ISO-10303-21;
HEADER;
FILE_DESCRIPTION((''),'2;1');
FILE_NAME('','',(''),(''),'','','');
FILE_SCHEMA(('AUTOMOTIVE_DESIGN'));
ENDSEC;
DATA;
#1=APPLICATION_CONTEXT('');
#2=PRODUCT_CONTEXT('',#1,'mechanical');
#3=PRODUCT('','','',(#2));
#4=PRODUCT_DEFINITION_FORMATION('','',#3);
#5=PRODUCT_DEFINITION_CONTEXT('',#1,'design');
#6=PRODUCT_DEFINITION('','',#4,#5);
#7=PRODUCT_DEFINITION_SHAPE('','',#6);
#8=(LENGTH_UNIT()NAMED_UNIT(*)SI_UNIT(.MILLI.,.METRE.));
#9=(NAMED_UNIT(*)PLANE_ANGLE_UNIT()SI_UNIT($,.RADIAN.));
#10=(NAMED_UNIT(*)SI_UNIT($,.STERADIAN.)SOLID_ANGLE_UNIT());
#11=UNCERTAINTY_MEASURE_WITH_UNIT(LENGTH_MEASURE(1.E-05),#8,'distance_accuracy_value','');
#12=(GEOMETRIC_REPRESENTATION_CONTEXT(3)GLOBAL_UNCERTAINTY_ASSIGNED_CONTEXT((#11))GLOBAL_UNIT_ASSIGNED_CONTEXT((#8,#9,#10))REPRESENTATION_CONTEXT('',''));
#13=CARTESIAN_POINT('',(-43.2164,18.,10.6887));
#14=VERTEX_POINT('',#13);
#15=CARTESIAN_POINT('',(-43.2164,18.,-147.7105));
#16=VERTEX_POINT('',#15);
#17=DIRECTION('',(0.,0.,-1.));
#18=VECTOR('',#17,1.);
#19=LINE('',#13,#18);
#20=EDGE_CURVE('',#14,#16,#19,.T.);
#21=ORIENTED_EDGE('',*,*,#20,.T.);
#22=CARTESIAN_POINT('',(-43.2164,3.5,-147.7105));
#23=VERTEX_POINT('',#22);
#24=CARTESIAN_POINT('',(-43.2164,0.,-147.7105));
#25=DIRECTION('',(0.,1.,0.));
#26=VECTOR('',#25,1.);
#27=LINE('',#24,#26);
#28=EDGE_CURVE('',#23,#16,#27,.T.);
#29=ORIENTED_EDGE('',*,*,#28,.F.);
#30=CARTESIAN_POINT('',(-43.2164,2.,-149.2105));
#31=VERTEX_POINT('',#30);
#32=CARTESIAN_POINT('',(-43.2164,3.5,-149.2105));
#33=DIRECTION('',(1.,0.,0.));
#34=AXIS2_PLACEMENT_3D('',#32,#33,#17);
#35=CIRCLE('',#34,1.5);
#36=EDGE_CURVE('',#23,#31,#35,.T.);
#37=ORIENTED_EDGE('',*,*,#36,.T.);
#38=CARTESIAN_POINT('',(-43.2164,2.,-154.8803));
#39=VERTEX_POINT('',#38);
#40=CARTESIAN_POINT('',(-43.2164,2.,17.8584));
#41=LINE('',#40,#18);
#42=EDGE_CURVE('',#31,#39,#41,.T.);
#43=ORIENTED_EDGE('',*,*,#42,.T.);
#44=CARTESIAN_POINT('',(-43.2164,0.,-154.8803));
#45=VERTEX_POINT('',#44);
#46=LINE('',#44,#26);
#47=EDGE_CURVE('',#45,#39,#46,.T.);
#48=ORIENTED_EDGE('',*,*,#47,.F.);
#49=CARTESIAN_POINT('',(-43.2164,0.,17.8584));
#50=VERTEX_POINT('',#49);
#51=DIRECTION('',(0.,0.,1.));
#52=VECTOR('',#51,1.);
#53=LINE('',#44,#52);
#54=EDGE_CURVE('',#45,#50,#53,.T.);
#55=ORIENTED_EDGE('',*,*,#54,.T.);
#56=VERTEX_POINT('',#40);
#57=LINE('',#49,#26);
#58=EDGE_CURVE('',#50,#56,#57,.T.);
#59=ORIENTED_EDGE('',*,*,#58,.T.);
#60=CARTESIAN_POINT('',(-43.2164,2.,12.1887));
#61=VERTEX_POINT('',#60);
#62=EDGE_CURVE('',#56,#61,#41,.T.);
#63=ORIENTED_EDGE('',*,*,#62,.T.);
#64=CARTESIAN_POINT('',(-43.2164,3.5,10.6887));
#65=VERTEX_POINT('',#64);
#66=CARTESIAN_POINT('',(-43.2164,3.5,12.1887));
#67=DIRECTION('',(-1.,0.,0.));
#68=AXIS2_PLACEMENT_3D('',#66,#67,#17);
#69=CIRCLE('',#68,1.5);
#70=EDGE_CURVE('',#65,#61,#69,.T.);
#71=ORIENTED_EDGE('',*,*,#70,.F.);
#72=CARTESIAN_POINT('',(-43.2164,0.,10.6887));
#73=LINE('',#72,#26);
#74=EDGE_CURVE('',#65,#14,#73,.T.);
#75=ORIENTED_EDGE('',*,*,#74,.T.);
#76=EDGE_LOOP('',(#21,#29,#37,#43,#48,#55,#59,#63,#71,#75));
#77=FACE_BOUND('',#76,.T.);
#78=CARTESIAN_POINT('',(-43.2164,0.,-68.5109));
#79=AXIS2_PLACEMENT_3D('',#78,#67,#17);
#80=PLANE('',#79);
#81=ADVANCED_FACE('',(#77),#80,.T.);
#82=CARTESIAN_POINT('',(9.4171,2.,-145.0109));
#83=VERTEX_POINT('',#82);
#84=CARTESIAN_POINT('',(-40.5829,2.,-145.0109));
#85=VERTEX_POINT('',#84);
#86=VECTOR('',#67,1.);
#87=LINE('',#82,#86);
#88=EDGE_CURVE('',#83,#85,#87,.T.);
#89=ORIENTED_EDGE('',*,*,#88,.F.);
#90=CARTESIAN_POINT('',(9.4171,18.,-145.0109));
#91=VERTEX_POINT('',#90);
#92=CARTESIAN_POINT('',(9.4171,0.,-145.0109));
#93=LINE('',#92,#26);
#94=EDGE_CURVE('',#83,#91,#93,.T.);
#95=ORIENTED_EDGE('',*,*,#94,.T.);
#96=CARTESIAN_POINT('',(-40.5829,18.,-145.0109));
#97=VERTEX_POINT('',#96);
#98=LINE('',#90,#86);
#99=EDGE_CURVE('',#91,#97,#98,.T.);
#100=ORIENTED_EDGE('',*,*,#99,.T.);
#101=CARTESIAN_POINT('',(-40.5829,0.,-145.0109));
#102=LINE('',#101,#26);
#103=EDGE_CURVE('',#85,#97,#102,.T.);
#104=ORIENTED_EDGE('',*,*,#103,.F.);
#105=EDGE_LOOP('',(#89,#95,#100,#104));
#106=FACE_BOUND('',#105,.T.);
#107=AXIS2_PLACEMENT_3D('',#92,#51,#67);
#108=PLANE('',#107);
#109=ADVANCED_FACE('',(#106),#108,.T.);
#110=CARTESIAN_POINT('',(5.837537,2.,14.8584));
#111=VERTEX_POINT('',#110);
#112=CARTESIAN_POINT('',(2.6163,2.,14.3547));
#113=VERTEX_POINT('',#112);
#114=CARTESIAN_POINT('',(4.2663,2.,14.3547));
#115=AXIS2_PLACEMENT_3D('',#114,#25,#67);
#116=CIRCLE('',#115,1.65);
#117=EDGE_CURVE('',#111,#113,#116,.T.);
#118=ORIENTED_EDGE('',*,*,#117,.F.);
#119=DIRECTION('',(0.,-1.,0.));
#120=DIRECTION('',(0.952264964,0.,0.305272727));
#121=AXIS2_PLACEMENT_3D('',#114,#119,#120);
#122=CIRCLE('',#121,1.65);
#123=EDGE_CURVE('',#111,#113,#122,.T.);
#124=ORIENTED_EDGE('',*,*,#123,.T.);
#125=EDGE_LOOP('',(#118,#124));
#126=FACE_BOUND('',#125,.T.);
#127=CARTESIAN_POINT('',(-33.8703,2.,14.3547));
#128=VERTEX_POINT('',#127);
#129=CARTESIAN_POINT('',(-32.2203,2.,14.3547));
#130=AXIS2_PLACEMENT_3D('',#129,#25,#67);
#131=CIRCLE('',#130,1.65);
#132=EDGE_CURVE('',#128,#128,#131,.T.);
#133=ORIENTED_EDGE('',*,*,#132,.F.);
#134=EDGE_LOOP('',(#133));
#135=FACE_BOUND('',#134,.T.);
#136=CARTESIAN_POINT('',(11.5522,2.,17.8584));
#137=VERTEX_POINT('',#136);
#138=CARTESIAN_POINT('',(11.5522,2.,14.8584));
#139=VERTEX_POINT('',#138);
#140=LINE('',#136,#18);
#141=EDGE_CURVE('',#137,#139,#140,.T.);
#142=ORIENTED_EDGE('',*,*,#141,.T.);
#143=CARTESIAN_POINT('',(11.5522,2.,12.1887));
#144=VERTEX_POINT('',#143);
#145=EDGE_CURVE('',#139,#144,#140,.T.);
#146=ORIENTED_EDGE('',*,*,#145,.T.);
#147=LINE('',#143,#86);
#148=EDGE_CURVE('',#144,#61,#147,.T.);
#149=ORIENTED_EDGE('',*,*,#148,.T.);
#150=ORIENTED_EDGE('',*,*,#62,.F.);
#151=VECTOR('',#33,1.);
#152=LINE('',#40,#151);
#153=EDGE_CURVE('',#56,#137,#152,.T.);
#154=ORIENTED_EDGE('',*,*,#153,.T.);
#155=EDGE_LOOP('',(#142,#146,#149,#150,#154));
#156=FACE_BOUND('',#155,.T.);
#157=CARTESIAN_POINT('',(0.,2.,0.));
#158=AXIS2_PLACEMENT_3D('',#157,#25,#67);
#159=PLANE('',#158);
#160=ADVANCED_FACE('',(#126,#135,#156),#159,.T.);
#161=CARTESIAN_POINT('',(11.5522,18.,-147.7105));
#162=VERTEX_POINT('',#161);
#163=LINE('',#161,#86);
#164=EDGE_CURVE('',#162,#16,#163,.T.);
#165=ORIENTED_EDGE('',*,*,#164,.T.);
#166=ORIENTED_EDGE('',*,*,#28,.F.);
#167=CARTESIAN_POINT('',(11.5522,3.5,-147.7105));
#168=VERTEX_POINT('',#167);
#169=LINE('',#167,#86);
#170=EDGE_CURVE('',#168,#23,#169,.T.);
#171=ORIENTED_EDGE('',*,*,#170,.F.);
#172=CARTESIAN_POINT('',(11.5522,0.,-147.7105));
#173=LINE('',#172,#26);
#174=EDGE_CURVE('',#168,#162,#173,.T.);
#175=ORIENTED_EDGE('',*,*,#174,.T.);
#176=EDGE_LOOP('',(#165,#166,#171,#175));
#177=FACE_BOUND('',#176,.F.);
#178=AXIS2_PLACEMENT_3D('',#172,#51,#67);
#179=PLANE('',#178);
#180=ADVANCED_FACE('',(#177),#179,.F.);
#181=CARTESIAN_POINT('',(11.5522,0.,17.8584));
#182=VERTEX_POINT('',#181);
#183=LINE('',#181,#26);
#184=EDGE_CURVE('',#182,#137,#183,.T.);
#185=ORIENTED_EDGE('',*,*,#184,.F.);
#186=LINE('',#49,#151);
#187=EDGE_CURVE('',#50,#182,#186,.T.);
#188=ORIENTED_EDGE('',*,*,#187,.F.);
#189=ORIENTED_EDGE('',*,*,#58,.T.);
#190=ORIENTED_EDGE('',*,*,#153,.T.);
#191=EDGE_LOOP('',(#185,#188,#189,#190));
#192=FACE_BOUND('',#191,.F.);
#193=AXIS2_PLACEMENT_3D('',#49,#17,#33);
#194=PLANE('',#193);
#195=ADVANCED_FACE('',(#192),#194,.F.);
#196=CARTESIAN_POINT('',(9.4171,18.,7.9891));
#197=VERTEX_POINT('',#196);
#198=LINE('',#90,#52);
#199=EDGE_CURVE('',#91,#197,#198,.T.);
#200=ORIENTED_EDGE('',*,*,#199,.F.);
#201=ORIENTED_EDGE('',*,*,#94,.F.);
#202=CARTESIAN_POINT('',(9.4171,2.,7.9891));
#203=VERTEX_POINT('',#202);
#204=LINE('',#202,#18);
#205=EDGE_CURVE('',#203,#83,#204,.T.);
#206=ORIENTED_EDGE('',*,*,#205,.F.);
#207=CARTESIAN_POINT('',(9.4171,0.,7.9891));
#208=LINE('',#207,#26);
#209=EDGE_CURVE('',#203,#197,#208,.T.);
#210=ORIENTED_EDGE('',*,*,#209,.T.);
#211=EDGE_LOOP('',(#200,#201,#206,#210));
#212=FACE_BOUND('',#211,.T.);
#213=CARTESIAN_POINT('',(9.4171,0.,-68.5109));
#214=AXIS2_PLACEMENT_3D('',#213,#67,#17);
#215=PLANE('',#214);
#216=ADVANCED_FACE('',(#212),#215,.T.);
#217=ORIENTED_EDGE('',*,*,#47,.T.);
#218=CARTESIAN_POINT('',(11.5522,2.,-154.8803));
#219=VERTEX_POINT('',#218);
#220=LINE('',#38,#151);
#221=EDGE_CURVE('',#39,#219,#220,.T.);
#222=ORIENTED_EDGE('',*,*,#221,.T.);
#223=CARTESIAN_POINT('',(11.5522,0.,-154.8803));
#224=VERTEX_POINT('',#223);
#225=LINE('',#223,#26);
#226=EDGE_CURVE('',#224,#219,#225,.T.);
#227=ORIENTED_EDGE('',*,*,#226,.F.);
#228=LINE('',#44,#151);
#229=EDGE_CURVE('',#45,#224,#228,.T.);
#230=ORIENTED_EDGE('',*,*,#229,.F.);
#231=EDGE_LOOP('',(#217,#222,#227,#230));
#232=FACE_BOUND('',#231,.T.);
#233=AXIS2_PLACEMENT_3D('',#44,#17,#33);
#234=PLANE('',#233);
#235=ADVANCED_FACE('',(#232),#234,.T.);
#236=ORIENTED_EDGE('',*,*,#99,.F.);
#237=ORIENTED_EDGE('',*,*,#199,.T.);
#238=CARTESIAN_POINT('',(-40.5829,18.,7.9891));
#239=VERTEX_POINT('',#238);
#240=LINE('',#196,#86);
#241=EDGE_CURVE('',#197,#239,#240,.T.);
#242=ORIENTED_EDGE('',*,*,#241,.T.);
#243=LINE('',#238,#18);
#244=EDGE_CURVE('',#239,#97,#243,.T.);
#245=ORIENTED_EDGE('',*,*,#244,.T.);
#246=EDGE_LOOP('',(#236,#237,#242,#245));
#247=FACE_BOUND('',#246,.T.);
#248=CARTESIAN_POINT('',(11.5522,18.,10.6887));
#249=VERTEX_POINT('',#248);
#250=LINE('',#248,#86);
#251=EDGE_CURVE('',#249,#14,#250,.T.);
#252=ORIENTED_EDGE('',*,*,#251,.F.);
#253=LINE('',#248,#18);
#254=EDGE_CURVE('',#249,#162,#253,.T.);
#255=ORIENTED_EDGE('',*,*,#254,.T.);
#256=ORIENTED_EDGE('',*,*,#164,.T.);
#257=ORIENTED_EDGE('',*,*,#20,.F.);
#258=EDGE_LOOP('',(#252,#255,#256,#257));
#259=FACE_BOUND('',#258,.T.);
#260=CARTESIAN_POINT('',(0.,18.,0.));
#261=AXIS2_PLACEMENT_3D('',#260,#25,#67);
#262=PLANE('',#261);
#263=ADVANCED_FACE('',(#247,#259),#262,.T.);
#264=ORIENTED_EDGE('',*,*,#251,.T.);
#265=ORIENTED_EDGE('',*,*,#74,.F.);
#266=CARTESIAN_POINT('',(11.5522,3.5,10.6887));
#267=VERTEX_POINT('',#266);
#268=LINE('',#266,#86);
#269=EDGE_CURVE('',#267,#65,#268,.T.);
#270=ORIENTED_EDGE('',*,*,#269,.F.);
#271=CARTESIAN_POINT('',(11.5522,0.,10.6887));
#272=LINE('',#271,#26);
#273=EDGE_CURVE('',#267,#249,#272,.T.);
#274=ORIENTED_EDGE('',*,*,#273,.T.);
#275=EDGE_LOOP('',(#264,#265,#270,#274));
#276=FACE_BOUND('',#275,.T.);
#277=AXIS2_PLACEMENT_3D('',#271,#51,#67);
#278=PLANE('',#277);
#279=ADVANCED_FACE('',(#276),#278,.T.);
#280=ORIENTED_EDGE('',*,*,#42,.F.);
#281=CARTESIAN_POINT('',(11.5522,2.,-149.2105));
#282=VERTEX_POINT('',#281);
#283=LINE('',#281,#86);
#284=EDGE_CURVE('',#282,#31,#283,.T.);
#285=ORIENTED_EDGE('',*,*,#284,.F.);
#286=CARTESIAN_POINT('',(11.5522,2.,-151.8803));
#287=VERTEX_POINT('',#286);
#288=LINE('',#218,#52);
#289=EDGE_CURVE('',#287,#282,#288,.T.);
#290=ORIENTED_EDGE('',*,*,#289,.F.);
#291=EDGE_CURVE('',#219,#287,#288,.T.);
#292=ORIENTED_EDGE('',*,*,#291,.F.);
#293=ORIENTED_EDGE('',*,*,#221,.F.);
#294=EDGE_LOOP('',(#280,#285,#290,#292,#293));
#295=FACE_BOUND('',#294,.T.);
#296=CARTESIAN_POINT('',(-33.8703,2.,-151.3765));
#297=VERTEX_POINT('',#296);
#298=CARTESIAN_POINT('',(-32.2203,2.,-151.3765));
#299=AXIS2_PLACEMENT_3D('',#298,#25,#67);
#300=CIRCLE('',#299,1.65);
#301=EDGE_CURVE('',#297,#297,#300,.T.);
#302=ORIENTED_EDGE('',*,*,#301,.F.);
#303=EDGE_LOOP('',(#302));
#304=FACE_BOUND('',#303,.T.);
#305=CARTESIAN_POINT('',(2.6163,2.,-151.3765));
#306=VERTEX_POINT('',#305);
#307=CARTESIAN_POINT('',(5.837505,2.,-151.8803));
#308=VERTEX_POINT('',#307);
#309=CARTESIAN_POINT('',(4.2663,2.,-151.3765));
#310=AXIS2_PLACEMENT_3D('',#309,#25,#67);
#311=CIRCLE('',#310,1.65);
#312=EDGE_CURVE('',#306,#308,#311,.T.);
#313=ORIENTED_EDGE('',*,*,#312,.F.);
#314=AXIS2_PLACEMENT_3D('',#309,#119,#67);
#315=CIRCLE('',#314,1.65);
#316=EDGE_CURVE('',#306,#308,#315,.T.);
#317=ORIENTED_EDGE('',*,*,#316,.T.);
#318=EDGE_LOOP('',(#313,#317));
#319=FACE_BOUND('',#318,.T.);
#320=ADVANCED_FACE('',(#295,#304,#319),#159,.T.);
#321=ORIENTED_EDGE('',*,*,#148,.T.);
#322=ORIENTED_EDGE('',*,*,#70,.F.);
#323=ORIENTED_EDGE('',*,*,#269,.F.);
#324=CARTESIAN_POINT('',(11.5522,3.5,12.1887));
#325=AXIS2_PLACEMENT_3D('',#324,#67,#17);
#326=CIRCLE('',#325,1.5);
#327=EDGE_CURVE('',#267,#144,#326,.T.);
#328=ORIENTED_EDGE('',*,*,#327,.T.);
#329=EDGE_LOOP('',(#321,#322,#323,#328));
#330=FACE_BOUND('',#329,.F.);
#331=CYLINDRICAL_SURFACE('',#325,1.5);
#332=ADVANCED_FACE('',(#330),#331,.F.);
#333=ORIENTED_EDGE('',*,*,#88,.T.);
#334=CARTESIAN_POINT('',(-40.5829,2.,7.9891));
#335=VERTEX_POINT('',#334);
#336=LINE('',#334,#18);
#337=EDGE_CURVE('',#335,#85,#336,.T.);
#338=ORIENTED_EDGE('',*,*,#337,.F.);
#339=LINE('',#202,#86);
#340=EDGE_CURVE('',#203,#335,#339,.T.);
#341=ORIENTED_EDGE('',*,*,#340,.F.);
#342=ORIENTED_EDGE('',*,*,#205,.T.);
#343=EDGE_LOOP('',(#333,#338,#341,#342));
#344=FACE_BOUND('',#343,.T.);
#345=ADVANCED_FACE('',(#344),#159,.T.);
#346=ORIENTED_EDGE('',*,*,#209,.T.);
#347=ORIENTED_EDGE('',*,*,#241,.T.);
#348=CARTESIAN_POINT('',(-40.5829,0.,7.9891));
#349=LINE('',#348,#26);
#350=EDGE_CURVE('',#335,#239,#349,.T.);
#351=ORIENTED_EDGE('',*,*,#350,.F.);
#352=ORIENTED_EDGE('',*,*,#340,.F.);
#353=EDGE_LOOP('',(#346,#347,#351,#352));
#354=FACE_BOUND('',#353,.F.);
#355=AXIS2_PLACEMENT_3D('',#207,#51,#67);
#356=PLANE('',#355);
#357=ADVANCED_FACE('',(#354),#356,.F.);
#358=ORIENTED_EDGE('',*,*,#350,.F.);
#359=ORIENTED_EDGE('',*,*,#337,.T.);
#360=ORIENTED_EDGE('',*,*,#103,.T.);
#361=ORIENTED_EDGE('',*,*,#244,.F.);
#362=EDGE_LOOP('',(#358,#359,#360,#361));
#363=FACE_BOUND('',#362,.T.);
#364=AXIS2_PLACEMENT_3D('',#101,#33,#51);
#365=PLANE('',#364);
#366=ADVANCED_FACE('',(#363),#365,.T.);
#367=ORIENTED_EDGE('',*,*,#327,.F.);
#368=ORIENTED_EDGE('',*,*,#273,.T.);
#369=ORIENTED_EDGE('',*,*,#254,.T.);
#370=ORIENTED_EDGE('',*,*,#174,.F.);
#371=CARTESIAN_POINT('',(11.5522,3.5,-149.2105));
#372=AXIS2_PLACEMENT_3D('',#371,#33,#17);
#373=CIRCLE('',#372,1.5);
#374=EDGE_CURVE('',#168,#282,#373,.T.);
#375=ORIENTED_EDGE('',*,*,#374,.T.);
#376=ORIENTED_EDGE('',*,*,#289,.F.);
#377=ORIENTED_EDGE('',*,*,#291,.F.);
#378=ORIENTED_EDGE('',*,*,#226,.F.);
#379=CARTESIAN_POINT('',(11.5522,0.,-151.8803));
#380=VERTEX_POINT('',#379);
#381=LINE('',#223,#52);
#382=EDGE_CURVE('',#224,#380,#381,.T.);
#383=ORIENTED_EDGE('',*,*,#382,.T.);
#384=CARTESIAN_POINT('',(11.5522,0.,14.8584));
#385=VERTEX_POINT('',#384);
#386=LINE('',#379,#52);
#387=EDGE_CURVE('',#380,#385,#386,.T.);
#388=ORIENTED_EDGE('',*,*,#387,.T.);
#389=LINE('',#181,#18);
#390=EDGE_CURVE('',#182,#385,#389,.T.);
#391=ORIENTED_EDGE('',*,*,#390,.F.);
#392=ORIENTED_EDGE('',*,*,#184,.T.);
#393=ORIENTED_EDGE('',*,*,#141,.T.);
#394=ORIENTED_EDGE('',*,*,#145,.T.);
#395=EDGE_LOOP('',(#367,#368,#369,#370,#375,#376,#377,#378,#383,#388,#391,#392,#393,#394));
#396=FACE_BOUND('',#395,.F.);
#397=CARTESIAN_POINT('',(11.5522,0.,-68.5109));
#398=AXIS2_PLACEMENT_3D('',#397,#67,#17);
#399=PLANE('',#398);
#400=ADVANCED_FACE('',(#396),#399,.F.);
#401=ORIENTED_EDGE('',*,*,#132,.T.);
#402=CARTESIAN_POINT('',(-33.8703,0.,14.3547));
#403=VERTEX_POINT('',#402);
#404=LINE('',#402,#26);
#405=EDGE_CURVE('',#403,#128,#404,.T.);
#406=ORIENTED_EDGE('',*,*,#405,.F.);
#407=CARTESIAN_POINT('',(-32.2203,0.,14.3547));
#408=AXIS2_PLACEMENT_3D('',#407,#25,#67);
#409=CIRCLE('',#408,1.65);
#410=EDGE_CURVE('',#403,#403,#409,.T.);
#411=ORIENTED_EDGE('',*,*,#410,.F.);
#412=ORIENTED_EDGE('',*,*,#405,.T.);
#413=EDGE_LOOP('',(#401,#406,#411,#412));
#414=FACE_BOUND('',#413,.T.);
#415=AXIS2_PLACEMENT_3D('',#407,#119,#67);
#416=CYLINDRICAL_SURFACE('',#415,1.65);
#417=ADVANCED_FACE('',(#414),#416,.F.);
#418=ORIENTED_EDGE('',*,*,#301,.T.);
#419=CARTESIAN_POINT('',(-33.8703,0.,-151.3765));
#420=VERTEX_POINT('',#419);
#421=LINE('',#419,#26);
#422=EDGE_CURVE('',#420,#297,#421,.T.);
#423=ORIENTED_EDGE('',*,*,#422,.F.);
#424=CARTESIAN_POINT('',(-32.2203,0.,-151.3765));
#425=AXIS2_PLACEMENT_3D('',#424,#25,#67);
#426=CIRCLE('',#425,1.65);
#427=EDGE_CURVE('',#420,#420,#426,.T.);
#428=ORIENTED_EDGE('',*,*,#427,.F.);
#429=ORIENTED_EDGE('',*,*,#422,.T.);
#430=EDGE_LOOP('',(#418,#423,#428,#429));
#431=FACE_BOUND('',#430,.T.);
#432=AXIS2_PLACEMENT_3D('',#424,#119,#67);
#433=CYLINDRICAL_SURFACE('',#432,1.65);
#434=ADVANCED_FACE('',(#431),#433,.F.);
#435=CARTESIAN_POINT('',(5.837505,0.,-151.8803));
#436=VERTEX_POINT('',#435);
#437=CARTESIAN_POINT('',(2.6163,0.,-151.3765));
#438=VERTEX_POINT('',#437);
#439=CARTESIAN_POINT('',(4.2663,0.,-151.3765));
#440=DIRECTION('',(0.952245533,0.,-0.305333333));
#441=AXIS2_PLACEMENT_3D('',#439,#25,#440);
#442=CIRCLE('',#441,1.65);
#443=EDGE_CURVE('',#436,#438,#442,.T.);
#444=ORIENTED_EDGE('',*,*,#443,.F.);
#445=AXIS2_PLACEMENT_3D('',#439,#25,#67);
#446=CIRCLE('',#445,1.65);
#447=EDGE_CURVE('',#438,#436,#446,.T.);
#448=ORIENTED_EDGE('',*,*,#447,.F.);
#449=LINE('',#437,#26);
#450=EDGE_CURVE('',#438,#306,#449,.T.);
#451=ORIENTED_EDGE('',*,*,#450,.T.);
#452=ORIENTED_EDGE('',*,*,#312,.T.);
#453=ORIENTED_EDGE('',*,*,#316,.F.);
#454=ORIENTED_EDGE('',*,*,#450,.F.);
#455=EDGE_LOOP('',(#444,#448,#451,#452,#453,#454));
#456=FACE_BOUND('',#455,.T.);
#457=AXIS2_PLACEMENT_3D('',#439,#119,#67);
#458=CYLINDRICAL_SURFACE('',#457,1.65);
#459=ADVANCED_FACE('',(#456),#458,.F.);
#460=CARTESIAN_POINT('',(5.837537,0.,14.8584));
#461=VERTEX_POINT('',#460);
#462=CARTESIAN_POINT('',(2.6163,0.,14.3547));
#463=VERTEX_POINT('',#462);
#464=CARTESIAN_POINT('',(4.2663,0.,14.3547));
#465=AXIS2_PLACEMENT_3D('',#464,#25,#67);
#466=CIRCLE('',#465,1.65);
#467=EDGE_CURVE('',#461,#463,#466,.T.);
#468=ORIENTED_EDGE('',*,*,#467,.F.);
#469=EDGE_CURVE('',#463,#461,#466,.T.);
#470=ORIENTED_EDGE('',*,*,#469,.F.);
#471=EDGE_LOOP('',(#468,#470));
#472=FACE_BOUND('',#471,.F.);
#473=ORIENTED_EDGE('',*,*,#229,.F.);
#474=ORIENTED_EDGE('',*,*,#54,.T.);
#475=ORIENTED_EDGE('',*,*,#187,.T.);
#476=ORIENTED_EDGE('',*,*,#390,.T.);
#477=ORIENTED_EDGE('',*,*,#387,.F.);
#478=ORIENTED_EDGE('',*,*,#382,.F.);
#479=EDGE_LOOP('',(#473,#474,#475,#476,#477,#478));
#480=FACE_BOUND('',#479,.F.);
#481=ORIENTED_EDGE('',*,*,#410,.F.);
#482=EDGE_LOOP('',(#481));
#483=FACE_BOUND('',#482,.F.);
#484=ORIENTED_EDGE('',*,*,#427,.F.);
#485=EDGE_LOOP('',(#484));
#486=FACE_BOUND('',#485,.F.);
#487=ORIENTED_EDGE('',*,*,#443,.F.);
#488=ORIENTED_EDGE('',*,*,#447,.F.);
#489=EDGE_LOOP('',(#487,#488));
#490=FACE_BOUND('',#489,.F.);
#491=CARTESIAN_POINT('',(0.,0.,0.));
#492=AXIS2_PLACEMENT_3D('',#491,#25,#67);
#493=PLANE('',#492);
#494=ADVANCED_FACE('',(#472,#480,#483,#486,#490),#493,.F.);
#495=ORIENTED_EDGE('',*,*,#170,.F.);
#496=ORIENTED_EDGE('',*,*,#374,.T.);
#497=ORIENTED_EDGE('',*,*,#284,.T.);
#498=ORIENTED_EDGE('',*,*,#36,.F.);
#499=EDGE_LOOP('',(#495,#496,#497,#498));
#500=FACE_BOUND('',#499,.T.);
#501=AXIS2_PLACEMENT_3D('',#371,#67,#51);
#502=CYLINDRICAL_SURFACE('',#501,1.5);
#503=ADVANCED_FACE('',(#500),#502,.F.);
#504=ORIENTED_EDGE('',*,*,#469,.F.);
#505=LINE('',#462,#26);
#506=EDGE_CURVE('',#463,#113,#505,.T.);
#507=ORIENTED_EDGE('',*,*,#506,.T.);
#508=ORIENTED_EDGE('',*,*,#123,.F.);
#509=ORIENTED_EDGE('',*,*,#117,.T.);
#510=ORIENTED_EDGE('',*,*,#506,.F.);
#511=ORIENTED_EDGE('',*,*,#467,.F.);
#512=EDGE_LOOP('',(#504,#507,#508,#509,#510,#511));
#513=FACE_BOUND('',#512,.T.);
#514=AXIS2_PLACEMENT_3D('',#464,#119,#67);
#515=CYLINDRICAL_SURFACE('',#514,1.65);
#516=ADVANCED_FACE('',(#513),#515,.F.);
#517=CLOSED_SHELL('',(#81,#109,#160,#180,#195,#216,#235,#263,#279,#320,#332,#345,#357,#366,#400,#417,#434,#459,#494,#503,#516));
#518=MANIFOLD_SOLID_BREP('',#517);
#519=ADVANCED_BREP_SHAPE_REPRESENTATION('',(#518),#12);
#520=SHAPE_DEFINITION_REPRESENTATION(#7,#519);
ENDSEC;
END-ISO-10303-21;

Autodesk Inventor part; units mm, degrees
ref_plane "YZ Plane" through (0, 0, 0) normal (1, 0, 0) x (0, 1, 0)
ref_plane "XZ Plane" through (0, 0, 0) normal (0, 1, 0) x (-1, 0, 0)
ref_plane "XY Plane" through (0, 0, 0) normal (0, 0, 1) x (1, 0, 0)
sketch "Sketch1" plane through (0, 0, 0) normal (0, 1, 0) x (-1, 0, 0)
  line L0 (40.5829, -68.5109) -> (-9.4171, -68.5109)
  line L1 (-9.4171, -68.5109) -> (-9.4171, 7.9891)
  line L2 (-9.4171, 7.9891) -> (40.5829, 7.9891)
  line L3 (40.5829, 7.9891) -> (40.5829, -68.5109)
  line L4 (40.5829, -68.5109) -> (-9.4171, -68.5109)
  line L5 (-9.4171, -68.5109) -> (-9.4171, -145.0109)
  line L6 (-9.4171, -145.0109) -> (40.5829, -145.0109)
  line L7 (40.5829, -145.0109) -> (40.5829, -68.5109)
  line L8 (43.2164, 17.8584) -> (43.2164, -154.8803)
  line L9 (43.2164, -68.5109) -> (-11.5522, -68.5109)
  line L10 (-11.5522, -68.5109) -> (-11.5522, -147.7105)
  line L11 (-11.5522, -147.7105) -> (43.2164, -147.7105)
  line L12 (43.2164, -147.7105) -> (43.2164, -68.5109)
  line L13 (-11.5522, 10.6887) -> (43.2164, 10.6887)
  line L14 (-11.5522, -68.5109) -> (-11.5522, 10.6887)
  circle A0 centre (-4.2663, -151.3765) radius 1.65
  circle A1 centre (32.2203, -151.3765) radius 1.65
  line L15 (43.2164, -147.7105) -> (43.2164, -154.8803)
  line L16 (43.2164, -154.8803) -> (-11.5522, -154.8803)
  line L17 (-13.2912, -151.8803) -> (16.3367, -151.8803)
  line L18 (-11.5522, -154.8803) -> (-11.5522, -147.7105)
  line L19 (-11.5522, 10.6887) -> (43.2164, 10.6887)
  line L20 (-13.2912, 14.8584) -> (16.3367, 14.8584)
  circle A2 centre (-4.2663, 14.3547) radius 1.65
  line L21 (-11.5522, 17.8584) -> (-11.5522, 10.6887)
  line L22 (43.2164, 17.8584) -> (-11.5522, 17.8584)
  circle A3 centre (32.2203, 14.3547) radius 1.65
  line L23 (43.2164, 10.6887) -> (43.2164, 17.8584)
  point P0 (0, 0)
  point P1 (7.1317, -61.1506)
  point P2 (-9.4171, -68.5109)
  dimension "d2" = 50
  dimension "d3" = 76.5
  dimension "d4" = 76.5
  dimension "d5" = 3.3
  dimension "d6" = 3.3
extrude "Extrusion1" add sketch "Sketch1" along normal blind 18 contours L9 L8 L11 L10 L5 L6 L7 | L3 L2 L1 L9 L14 L13 L8
extrude "Extrusion2" add sketch "Sketch1" along normal blind 2 contours L7 L6 L5 L0 | L0 L1 L2 L3 | L13 L21 L22 L8 | L8 L16 L18 L11
fillet "Fillet1" radius 1.5 1 edges at (-15.8321, 2, -147.7105)
fillet "Fillet2" radius 1.5 1 edges at (-15.8321, 2, 10.6887)
properties part number "beban"
